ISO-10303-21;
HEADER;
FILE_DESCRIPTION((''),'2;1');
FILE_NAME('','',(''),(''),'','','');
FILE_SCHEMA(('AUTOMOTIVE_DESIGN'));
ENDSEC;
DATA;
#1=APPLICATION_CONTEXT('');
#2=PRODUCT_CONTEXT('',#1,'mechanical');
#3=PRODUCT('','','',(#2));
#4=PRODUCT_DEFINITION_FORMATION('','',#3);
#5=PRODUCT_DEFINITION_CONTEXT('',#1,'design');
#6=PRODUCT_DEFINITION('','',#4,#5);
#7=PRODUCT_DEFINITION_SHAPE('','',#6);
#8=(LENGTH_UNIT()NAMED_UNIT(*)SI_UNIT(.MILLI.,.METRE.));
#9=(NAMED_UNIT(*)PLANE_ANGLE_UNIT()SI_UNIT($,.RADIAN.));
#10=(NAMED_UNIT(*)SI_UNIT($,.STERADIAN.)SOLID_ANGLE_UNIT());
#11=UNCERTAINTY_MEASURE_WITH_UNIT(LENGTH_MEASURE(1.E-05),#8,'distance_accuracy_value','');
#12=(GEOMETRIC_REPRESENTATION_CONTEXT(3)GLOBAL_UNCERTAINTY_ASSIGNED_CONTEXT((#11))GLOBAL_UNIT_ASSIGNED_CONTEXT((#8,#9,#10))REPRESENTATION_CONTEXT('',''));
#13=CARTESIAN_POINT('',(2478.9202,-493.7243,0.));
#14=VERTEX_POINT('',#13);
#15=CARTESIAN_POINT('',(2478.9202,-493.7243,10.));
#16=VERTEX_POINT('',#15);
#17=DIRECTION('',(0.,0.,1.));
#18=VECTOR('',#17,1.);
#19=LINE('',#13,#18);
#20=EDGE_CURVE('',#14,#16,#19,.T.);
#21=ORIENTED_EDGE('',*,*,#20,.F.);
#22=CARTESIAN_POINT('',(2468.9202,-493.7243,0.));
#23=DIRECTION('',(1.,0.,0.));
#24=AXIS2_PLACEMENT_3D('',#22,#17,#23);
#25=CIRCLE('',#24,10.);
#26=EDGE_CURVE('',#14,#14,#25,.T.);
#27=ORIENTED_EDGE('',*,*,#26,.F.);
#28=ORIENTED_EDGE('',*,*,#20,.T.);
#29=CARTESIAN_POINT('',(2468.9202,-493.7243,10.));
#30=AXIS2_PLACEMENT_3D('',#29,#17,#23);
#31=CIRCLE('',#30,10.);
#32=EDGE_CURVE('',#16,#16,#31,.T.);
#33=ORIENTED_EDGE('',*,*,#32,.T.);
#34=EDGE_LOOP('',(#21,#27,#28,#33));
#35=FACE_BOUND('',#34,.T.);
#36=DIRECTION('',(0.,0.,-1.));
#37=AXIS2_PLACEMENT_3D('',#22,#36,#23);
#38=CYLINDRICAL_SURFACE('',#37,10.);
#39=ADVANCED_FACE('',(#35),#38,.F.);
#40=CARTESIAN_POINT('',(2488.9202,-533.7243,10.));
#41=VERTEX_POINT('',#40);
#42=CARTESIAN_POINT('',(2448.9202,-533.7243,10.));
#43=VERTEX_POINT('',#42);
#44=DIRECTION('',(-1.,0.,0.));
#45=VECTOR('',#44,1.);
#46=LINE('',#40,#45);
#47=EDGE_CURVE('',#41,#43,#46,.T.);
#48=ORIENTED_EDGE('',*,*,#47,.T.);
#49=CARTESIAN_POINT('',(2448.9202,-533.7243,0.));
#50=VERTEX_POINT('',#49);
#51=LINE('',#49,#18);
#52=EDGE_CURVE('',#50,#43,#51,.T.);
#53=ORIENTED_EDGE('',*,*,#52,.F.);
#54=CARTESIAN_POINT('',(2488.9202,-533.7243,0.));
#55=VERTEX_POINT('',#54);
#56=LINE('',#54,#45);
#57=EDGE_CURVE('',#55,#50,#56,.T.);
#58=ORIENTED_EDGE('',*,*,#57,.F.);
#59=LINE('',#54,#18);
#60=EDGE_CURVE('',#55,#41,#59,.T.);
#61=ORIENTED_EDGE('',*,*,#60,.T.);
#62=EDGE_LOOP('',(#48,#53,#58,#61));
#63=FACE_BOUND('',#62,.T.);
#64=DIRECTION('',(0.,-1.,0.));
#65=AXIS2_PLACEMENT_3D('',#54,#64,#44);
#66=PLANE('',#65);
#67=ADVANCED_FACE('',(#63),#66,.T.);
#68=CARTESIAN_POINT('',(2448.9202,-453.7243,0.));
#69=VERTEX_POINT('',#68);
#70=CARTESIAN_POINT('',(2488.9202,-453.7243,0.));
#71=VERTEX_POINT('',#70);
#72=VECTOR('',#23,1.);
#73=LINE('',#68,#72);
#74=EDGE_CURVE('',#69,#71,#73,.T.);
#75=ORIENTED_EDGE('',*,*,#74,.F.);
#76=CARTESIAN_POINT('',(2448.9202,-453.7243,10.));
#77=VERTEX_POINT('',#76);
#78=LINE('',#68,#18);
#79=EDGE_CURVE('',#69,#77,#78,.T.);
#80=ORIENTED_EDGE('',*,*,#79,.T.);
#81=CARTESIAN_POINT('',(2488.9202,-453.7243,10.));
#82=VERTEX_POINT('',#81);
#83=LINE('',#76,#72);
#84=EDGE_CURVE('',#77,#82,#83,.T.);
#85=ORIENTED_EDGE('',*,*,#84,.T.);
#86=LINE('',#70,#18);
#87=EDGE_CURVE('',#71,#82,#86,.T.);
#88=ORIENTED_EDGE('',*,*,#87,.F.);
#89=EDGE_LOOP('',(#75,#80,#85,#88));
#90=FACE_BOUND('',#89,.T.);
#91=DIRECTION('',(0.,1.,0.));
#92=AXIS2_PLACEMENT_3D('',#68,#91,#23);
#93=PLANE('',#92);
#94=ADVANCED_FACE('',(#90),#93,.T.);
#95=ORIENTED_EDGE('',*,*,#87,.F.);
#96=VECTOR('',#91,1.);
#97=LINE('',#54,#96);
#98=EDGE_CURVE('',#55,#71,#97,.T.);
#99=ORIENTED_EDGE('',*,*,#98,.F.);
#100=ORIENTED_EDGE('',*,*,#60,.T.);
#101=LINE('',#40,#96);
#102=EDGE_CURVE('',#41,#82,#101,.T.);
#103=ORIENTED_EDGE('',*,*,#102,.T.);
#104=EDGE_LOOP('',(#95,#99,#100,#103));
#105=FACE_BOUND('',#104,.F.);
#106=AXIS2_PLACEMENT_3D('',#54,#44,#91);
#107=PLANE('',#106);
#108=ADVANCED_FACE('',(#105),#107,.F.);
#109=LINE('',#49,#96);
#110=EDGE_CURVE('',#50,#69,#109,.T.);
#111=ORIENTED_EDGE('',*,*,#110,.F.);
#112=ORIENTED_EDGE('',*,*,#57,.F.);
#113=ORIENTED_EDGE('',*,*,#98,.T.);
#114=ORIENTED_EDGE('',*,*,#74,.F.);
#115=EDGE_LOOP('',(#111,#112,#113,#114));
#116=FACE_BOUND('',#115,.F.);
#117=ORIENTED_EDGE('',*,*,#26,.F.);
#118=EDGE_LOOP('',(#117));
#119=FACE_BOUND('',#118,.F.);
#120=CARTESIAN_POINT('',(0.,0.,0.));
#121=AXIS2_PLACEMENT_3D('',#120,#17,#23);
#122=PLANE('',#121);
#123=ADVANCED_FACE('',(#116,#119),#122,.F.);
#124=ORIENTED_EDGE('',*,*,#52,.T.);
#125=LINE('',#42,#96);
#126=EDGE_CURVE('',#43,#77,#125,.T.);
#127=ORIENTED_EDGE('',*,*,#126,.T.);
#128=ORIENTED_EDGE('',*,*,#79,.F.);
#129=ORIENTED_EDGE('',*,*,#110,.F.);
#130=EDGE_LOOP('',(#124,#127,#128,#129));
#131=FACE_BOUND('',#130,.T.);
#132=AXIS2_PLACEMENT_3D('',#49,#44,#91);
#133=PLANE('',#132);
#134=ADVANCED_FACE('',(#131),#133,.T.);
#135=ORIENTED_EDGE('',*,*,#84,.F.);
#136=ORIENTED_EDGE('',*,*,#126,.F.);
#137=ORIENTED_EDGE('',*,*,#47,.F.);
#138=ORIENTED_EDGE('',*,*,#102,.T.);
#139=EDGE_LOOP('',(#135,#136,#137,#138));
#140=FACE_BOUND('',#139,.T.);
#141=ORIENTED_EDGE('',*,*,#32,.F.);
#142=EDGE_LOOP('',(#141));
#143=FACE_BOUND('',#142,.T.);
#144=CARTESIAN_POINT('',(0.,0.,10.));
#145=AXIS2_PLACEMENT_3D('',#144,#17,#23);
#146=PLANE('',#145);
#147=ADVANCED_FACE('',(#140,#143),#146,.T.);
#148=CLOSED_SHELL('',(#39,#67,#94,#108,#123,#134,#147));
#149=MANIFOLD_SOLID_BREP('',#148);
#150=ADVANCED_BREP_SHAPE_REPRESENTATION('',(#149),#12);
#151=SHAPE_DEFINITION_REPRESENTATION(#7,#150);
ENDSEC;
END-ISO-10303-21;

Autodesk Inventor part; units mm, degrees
ref_plane "YZ Plane" through (0, 0, 0) normal (1, 0, 0) x (0, 1, 0)
ref_plane "XZ Plane" through (0, 0, 0) normal (0, 1, 0) x (-1, 0, 0)
ref_plane "XY Plane" through (0, 0, 0) normal (0, 0, 1) x (1, 0, 0)
sketch "Sketch1" plane through (0, 0, 0) normal (0, 0, 1) x (1, 0, 0)
  circle A0 centre (2468.9202, -493.7243) radius 10
  line L0 (2488.9202, -533.7243) -> (2448.9202, -533.7243)
  line L1 (2448.9202, -533.7243) -> (2448.9202, -453.7243)
  line L2 (2448.9202, -453.7243) -> (2488.9202, -453.7243)
  line L3 (2488.9202, -533.7243) -> (2488.9202, -453.7243)
  point P0 (0, 0)
  point P1 (2456.4728, -559.596)
  point P2 (2456.4728, -563.8817)
  dimension "d1" = 40
  dimension "d3" = 80
  dimension "d5" = 40
  dimension "d8" = 20
extrude "Extrusion1" add sketch "Sketch1" along normal blind 10
properties part number "ADSK-MH-10043" material "Steel, Mild"
